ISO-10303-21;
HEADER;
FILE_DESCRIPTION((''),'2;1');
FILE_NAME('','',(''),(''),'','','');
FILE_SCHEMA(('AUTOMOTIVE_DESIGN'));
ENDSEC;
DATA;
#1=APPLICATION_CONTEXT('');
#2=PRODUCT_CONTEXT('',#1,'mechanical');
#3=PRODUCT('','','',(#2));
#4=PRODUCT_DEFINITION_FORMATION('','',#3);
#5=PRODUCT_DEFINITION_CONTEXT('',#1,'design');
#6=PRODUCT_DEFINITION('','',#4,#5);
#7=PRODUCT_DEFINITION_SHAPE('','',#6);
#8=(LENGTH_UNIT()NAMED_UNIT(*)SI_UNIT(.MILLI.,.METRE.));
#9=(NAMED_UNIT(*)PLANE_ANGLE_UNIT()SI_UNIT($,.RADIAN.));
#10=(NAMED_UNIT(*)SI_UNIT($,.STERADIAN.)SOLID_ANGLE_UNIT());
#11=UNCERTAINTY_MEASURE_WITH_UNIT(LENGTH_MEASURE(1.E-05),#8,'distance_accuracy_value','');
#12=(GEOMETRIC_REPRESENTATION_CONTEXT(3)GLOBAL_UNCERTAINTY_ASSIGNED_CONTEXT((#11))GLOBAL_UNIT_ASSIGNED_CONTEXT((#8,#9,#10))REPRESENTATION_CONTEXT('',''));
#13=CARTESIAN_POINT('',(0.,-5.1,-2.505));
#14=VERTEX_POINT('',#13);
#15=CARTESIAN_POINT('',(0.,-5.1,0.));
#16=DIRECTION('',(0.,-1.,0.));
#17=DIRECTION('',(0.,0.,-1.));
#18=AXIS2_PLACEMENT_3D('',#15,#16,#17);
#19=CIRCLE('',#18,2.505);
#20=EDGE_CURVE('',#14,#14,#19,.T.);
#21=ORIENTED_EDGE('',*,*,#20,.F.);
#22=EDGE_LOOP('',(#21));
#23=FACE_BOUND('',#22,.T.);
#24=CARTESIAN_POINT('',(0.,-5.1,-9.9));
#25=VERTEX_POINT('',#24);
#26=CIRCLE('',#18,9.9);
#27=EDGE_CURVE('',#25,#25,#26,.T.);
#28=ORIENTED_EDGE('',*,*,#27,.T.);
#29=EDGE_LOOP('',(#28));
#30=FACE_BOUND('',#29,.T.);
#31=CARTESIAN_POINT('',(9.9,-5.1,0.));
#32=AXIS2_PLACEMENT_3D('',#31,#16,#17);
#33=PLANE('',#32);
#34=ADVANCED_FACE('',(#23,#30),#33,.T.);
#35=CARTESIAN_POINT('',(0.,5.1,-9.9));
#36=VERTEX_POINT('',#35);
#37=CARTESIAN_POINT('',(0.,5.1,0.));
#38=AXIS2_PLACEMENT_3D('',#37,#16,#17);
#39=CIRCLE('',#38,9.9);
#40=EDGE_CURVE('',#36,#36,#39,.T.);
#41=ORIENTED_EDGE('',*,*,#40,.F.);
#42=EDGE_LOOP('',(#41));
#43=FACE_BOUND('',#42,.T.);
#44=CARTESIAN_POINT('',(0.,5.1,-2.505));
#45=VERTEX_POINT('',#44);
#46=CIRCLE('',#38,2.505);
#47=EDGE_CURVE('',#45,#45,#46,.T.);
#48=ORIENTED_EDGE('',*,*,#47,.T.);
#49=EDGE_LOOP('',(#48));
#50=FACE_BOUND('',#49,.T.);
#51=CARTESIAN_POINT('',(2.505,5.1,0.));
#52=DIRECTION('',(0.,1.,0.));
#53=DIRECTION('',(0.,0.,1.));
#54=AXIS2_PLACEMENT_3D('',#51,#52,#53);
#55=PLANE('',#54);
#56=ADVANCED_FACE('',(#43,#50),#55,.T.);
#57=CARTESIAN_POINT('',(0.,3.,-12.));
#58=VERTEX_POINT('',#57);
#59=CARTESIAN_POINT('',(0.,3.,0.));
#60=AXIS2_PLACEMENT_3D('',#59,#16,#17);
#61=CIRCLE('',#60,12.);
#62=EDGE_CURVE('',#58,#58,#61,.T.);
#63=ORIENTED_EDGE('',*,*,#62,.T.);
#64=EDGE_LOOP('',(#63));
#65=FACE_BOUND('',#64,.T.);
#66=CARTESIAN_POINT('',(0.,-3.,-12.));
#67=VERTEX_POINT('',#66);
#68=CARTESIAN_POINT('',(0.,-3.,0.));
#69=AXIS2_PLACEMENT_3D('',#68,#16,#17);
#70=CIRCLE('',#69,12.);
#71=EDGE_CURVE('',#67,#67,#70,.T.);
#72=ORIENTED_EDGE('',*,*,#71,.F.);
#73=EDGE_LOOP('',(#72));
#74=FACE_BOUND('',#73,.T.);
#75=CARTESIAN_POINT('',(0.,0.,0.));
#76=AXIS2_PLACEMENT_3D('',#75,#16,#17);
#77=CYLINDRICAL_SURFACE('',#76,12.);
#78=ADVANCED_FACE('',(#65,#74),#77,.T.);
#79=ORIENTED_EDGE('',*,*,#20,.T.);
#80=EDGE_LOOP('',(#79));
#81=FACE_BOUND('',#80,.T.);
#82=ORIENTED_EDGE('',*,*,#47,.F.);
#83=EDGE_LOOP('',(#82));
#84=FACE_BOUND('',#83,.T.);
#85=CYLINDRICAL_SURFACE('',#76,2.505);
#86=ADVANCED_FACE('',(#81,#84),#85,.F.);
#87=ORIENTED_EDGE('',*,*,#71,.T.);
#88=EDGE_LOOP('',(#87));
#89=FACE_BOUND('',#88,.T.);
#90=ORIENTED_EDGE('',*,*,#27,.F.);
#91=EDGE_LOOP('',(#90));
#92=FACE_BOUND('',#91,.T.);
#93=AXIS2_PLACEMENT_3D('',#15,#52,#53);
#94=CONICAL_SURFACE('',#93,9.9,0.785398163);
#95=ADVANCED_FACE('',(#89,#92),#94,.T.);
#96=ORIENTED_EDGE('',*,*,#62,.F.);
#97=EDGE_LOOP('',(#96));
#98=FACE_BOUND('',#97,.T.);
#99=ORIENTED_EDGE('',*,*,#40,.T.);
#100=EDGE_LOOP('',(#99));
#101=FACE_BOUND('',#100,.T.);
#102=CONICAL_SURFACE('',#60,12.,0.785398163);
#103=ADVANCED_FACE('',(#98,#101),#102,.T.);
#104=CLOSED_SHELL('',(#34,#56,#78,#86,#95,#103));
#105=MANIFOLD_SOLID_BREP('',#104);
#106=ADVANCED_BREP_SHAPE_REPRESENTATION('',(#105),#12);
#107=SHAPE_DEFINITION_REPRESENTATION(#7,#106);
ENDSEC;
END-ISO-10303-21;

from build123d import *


with BuildPart() as part:
    # Sketch2 → Revolve1 (revolve)
    with BuildSketch(Plane.XY, mode=Mode.PRIVATE) as revolve1_sk:
        Polygon((2.505, -5.1), (2.505, 5.1), (9.9, 5.1), (12, 3), (12, -3), (9.9, -5.1), align=None)
    revolve(revolve1_sk.sketch.rotate(Axis((0, 0, 0), (0, 1, 0)), 90), axis=Axis((0, 0, 0), (0, 1, 0)))


solid = part.part
